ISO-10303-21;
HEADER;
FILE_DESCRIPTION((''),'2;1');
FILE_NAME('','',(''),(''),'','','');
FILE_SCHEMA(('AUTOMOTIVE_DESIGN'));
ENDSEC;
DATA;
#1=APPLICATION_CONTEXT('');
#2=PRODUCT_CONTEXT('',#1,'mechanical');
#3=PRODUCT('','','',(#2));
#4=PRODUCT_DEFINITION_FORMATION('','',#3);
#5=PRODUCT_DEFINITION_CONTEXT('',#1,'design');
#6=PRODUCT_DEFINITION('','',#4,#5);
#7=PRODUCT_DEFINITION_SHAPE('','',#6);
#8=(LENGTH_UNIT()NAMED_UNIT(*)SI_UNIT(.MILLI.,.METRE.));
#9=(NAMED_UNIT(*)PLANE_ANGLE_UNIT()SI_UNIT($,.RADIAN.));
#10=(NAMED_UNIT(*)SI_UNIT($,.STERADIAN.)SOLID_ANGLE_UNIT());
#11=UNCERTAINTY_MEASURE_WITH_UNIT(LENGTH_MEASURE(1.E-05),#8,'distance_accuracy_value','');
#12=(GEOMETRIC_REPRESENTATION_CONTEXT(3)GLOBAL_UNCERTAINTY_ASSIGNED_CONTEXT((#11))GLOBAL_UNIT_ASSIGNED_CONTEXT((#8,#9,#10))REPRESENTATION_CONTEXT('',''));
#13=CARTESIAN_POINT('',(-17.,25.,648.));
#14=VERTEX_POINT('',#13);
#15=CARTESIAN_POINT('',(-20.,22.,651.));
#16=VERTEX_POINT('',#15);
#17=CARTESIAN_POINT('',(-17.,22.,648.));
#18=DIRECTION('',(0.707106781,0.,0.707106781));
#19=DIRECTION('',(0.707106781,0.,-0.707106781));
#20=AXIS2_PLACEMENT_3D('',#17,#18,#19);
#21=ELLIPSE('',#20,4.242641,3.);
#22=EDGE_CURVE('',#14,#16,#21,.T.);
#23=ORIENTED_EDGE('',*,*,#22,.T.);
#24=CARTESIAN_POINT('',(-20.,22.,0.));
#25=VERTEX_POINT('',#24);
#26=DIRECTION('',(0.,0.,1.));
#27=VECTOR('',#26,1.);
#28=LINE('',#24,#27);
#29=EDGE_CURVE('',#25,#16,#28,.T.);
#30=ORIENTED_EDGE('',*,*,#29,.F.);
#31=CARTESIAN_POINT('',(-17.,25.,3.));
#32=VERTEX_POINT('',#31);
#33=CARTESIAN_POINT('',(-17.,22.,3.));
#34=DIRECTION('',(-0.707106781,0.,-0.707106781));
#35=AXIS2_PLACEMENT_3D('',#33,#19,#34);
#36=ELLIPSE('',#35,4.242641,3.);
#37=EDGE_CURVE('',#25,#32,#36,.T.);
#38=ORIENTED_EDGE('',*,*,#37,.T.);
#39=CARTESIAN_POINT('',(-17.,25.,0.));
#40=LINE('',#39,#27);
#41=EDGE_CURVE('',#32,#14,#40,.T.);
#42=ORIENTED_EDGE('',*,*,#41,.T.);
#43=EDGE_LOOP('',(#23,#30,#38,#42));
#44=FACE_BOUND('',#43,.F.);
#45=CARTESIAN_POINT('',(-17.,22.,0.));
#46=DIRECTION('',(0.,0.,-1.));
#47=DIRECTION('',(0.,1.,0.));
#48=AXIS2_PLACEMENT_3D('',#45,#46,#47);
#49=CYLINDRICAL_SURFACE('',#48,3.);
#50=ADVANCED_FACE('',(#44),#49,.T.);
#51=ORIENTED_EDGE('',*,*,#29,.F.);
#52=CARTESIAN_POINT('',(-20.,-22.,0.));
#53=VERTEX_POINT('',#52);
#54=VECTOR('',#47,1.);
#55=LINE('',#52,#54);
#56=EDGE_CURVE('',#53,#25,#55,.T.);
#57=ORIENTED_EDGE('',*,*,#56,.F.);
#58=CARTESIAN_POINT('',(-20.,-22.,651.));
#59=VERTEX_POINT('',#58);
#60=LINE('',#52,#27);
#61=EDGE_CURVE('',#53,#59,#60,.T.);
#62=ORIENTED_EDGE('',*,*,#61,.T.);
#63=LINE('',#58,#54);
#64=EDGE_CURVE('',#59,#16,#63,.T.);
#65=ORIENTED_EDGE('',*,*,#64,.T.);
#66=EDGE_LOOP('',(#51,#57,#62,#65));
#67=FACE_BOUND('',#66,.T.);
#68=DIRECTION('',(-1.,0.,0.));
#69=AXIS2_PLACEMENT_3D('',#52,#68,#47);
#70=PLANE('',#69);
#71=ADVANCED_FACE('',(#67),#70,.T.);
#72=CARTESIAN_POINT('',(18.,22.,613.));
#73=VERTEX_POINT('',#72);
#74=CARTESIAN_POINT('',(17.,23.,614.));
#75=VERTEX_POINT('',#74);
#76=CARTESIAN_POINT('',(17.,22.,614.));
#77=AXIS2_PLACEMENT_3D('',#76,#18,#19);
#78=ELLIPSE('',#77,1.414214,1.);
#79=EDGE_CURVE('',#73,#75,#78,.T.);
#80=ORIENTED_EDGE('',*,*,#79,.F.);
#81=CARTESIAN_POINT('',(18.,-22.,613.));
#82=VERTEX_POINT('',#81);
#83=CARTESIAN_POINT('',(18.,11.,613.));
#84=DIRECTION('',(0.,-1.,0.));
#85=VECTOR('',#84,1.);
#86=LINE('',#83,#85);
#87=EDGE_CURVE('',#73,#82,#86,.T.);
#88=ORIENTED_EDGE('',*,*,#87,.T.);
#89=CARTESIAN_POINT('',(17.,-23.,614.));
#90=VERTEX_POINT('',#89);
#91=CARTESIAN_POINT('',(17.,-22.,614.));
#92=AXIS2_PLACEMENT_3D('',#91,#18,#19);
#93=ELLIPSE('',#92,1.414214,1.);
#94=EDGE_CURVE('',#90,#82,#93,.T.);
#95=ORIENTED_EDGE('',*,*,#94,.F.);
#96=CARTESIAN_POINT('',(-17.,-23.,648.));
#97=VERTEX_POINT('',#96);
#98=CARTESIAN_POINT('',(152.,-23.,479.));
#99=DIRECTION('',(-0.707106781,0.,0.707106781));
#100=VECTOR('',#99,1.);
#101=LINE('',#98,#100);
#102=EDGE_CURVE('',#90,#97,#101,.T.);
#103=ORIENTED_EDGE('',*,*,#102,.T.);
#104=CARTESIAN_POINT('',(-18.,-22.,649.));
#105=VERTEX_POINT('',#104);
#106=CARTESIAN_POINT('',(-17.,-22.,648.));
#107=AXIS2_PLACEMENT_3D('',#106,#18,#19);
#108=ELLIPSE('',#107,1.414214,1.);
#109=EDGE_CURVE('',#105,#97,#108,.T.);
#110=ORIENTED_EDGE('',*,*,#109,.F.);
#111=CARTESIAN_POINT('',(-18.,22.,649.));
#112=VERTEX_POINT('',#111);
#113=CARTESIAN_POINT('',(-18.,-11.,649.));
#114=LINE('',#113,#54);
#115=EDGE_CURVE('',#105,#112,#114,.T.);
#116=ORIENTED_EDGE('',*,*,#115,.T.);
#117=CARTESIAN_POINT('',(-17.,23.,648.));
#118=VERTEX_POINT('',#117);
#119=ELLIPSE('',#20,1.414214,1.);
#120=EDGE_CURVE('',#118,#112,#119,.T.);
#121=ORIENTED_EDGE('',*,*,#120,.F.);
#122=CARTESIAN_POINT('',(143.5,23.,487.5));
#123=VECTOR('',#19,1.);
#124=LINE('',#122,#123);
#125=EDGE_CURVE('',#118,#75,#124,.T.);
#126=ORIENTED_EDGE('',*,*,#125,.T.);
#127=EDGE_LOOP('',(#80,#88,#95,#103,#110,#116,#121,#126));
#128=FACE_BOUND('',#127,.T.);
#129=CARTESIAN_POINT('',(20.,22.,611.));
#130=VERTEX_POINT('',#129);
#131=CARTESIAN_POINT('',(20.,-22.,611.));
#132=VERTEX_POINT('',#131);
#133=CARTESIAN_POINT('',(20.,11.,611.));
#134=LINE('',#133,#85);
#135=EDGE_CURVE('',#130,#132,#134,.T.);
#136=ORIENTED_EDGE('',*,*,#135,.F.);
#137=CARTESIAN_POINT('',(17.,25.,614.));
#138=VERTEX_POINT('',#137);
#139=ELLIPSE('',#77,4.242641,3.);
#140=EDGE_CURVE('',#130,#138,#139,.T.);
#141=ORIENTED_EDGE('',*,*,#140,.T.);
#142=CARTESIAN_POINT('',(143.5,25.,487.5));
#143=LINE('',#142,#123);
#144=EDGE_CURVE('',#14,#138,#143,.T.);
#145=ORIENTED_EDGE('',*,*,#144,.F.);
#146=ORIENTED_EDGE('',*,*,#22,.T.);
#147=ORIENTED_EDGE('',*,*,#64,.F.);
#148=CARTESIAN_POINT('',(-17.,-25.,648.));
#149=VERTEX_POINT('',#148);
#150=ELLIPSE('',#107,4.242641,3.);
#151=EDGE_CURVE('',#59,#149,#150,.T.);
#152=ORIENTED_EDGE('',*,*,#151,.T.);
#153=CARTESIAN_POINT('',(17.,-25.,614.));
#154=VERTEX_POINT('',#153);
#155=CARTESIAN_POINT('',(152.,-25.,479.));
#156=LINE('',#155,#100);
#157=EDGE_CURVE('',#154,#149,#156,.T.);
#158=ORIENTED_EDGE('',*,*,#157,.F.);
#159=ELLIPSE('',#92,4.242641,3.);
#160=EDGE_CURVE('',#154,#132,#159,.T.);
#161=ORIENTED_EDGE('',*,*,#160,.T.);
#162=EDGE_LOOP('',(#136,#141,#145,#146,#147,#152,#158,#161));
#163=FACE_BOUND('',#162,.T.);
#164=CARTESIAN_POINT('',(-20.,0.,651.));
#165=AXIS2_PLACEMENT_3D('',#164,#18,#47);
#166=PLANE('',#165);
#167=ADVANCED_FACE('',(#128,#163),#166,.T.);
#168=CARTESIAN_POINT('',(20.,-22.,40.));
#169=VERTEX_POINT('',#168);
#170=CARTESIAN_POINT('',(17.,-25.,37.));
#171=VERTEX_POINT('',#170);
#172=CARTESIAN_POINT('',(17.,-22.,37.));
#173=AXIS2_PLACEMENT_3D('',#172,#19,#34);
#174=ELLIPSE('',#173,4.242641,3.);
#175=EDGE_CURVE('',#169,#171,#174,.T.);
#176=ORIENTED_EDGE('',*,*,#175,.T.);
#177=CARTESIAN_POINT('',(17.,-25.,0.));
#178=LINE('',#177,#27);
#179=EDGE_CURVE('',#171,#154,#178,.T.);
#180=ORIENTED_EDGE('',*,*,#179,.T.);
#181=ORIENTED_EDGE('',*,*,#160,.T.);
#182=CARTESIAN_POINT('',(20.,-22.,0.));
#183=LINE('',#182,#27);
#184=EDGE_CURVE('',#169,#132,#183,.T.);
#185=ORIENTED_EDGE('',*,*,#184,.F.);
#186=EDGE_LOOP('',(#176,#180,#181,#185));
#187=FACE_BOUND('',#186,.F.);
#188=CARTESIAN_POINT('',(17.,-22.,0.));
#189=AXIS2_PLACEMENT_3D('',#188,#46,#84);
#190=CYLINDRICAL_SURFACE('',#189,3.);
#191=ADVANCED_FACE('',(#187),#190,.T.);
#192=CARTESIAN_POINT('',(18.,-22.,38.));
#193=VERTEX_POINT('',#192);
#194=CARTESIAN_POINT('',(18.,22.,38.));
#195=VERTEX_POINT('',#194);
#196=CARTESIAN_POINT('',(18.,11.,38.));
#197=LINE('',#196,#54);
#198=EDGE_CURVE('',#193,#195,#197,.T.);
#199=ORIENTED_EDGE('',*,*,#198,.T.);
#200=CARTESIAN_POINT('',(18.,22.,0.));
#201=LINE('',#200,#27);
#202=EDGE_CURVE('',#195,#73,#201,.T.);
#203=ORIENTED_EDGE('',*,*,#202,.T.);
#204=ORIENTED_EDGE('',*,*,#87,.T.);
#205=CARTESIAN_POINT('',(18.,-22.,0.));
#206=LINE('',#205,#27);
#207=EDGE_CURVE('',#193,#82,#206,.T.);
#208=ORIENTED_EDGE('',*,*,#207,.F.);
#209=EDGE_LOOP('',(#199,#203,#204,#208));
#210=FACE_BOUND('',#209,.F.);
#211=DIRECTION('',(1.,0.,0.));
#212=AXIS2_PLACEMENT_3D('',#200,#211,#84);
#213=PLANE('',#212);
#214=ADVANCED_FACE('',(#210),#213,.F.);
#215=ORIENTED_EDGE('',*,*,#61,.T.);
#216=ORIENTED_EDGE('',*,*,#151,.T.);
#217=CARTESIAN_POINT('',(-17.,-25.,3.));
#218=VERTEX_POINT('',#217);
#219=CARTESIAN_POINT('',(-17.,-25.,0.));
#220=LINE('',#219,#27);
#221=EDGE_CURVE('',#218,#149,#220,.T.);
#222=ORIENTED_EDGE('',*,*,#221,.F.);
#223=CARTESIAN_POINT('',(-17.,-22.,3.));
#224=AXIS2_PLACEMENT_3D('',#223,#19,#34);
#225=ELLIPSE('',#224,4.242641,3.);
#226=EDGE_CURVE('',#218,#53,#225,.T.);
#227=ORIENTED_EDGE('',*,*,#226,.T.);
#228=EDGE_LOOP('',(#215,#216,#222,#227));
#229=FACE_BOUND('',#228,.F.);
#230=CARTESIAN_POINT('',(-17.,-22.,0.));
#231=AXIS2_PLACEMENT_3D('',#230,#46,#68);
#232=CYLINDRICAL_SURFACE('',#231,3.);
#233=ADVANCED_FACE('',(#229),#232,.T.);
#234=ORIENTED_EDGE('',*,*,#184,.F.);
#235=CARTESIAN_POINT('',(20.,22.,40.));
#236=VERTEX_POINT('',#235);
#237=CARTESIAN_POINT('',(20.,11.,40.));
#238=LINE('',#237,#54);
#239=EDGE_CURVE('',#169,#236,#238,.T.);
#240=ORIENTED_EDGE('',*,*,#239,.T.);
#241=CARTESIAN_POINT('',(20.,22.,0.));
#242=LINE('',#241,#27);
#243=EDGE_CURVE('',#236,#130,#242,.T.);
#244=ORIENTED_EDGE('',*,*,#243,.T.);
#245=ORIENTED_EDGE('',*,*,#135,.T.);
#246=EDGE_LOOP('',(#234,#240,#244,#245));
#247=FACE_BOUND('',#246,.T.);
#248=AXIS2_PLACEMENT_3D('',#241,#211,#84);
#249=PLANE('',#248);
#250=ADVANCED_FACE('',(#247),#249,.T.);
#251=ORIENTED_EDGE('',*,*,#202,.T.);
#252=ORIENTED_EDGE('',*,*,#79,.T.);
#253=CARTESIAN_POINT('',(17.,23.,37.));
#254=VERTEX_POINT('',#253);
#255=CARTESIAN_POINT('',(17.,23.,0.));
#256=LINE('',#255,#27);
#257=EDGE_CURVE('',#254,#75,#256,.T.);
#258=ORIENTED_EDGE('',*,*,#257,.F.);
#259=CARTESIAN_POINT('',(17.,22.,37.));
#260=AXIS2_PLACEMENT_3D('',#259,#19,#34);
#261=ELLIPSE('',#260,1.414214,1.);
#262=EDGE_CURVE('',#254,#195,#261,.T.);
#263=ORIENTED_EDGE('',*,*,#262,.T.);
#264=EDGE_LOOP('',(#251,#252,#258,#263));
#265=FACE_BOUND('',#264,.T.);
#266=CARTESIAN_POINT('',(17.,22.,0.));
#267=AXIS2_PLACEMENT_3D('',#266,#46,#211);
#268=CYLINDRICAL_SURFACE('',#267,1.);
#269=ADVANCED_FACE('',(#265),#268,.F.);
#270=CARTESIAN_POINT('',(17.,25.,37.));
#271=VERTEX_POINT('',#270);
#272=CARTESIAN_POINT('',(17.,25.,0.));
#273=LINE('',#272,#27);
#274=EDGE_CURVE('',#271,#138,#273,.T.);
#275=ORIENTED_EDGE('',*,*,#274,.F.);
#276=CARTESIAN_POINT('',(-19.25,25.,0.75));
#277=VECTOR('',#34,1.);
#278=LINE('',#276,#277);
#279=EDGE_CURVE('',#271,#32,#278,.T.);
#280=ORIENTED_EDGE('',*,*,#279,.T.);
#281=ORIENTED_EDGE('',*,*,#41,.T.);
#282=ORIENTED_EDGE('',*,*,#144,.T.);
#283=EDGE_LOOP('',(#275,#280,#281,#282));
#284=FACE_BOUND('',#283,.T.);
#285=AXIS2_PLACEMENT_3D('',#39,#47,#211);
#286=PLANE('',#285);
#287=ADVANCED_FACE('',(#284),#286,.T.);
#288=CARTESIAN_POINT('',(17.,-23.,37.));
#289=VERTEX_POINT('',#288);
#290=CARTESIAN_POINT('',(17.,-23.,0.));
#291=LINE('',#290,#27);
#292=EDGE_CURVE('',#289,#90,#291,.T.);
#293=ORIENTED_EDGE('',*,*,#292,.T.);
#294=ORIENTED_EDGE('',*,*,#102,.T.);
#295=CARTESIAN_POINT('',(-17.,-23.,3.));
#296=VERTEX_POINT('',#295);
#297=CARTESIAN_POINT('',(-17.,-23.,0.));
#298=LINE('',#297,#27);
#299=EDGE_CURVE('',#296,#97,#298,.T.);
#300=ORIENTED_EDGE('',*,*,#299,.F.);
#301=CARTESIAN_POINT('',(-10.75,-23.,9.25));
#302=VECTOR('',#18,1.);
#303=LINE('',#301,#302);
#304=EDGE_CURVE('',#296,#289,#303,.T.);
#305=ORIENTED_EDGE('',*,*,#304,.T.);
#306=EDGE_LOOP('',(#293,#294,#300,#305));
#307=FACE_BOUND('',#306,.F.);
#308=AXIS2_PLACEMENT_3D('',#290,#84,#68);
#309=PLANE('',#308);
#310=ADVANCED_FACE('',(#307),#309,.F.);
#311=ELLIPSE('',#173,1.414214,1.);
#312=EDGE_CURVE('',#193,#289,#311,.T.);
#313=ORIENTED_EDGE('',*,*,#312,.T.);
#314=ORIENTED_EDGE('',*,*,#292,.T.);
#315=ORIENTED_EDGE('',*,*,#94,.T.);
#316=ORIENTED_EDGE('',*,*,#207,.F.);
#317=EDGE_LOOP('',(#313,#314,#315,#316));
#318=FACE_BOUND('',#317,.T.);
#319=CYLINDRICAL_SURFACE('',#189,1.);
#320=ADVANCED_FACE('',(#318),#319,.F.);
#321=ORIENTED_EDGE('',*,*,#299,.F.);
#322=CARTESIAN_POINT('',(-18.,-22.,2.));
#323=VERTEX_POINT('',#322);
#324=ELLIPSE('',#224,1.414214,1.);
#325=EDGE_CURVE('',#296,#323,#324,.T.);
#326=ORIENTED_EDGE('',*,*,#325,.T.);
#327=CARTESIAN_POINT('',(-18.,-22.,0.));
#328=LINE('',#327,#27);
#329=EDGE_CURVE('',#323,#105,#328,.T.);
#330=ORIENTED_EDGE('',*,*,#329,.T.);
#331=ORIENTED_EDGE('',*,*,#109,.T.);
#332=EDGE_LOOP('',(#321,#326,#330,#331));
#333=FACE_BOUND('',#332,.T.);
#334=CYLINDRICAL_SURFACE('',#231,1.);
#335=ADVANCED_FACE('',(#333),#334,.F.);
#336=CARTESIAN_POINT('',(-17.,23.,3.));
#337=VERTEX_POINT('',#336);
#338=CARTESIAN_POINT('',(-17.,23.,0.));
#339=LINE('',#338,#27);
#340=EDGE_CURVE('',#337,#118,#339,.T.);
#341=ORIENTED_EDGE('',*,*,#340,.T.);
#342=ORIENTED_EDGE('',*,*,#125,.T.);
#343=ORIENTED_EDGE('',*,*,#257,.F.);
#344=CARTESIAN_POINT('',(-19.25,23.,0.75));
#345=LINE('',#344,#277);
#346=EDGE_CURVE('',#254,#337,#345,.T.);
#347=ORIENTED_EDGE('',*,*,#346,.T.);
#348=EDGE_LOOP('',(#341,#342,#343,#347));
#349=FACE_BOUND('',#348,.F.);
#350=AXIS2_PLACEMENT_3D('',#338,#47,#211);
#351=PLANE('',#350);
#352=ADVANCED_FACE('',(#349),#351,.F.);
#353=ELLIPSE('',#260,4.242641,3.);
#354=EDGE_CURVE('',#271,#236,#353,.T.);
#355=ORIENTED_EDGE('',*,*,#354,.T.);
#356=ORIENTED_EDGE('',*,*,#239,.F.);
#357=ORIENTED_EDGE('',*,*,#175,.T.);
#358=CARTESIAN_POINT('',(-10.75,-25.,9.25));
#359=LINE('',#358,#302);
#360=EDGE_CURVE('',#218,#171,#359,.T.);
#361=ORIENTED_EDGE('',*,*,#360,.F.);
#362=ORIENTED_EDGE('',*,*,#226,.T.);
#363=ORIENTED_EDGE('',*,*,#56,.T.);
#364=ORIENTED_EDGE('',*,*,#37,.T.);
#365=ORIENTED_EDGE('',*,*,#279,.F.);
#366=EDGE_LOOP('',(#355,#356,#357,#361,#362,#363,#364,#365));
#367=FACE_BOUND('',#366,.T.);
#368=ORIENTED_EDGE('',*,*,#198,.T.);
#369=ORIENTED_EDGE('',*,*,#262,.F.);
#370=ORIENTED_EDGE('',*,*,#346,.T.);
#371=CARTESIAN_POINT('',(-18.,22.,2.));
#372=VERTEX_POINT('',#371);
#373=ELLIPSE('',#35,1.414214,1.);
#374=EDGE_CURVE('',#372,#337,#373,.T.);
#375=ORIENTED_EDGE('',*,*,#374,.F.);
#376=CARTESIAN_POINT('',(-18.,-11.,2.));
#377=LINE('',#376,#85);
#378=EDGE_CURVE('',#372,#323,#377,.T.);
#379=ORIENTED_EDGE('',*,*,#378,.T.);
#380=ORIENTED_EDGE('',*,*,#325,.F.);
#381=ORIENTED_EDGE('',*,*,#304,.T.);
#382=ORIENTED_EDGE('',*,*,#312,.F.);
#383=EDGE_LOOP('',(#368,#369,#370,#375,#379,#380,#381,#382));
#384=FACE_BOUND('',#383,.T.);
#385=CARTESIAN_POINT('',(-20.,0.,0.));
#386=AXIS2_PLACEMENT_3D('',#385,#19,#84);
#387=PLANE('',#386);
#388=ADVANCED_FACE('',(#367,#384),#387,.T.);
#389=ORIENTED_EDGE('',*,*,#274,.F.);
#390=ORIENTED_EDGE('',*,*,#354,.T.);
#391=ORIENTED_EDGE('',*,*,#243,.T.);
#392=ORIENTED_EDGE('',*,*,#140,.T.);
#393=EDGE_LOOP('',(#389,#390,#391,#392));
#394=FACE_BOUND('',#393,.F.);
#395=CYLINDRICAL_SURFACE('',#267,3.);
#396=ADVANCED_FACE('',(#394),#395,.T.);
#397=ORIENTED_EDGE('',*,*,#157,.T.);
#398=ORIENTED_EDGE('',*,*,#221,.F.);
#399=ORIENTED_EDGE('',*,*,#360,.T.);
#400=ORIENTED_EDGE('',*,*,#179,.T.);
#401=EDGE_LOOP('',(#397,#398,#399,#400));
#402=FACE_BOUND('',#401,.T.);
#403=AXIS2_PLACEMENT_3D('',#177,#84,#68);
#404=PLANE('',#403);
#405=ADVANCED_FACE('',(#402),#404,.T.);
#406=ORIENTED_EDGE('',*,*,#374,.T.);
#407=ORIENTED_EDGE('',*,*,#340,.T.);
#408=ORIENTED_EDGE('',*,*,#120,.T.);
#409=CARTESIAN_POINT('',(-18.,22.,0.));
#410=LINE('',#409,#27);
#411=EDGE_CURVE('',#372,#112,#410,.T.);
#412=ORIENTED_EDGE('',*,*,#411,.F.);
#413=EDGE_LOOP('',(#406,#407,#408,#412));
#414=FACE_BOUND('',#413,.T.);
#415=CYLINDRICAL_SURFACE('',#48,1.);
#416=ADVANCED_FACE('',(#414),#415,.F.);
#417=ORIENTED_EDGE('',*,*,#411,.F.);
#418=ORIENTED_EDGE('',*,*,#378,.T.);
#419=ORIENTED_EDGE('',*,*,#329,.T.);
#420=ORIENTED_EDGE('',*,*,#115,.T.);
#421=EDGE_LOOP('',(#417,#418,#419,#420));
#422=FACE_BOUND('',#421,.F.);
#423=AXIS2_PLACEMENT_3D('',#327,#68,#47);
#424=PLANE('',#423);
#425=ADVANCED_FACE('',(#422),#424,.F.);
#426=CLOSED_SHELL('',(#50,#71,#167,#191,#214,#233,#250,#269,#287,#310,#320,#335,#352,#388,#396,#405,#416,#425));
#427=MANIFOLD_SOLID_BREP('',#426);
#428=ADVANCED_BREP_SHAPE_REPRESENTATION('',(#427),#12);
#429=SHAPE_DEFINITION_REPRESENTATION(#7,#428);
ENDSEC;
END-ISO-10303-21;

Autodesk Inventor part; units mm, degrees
ref_plane "Start plane" through (0, 0, 0) normal (0, 0, 1) x (1, 0, 0)
ref_plane "End plane" through (0, 0, 651) normal (0, 0, 1) x (1, 0, 0)
sketch "Sketch" plane through (0, 0, 0) normal (0, 0, 1) x (1, 0, 0)
  line L0 (-20, -22) -> (-20, 22)
  line L1 (-17, 25) -> (17, 25)
  line L2 (20, 22) -> (20, -22)
  line L3 (17, -25) -> (-17, -25)
  arc A0 (-20, -22) -> (-17, -25) centre (-17, -22) ccw
  arc A1 (-17, 25) -> (-20, 22) centre (-17, 22) ccw
  arc A2 (20, 22) -> (17, 25) centre (17, 22) ccw
  arc A3 (17, -25) -> (20, -22) centre (17, -22) ccw
  arc A4 (-17, 23) -> (-18, 22) centre (-17, 22) ccw
  line L4 (-17, 23) -> (17, 23)
  arc A5 (18, 22) -> (17, 23) centre (17, 22) ccw
  line L5 (18, 22) -> (18, -22)
  arc A6 (17, -23) -> (18, -22) centre (17, -22) ccw
  line L6 (17, -23) -> (-17, -23)
  arc A7 (-18, -22) -> (-17, -23) centre (-17, -22) ccw
  line L7 (-18, -22) -> (-18, 22)
  line L8 (0, 35.8698) -> (0, -35.8698) construction
  line L9 (-28.8698, 0) -> (28.8698, 0) construction
  dimension "d7" = 3
  dimension "d10" = 50
  dimension "d11" = 40
  dimension "d12" = 2
  dimension "d15" = 25
  dimension "d16" = 20
extrude "Body" add sketch "Sketch" along normal up to surface (651 mm away) from surface at 0
sketch "Sketch3" plane through (0, 0, 0) normal (0, 0, 1) x (1, 0, 0)
  line L0 (0, 0) -> (10, 0)
ref_plane "Work Plane3" through (0, 0, 0) normal (0, -1, 0) x (1, 0, 0)
sketch "Sketch4" plane through (0, 0, 0) normal (0, -1, 0) x (1, 0, 0)
  line L0 (-2, 0) -> (12, 0)
  line L1 (-2, 651) -> (12, 651)
  dimension "d18" = 651
ref_plane "Work Plane4" through (-20, 0, 0) normal (0.7071, 0, -0.7071) x (-0.7071, 0, -0.7071)
split "Split1" plane through (-20, 0, 0) removes the side toward (0.7071, 0, -0.7071)
ref_plane "Work Plane5" through (-20, 0, 651) normal (0.7071, 0, 0.7071) x (0.7071, 0, -0.7071)
split "Split2" plane through (-20, 0, 651) removes the side toward (0.7071, 0, 0.7071)
equation "\"d7\" = G_IR"
equation "\"d10\" = G_H"
equation "\"d11\" = G_W"
equation "\"d12\" = G_T"
equation "\"d15\" = 0.5 * d10"
equation "\"d16\" = 0.5 * d11"
equation "\"d3\" = G_L"
equation "\"G_W\" = 40"
equation "\"G_H\" = 50"
equation "\"G_T\" = 2"
equation "\"G_IR\" = 3"
equation "\"G_L\" = d18"
equation "\"G_OFFSET_START\" = 0"
equation "\"G_OFFSET_END\" = 0"
equation "\"d14\" = G_OFFSET_END + B_L"
equation "\"B_L\" = 651"
properties part number "UNI EN 10305-5 - 50 x 40 x 2  - 651" material "Steel, Mild"
